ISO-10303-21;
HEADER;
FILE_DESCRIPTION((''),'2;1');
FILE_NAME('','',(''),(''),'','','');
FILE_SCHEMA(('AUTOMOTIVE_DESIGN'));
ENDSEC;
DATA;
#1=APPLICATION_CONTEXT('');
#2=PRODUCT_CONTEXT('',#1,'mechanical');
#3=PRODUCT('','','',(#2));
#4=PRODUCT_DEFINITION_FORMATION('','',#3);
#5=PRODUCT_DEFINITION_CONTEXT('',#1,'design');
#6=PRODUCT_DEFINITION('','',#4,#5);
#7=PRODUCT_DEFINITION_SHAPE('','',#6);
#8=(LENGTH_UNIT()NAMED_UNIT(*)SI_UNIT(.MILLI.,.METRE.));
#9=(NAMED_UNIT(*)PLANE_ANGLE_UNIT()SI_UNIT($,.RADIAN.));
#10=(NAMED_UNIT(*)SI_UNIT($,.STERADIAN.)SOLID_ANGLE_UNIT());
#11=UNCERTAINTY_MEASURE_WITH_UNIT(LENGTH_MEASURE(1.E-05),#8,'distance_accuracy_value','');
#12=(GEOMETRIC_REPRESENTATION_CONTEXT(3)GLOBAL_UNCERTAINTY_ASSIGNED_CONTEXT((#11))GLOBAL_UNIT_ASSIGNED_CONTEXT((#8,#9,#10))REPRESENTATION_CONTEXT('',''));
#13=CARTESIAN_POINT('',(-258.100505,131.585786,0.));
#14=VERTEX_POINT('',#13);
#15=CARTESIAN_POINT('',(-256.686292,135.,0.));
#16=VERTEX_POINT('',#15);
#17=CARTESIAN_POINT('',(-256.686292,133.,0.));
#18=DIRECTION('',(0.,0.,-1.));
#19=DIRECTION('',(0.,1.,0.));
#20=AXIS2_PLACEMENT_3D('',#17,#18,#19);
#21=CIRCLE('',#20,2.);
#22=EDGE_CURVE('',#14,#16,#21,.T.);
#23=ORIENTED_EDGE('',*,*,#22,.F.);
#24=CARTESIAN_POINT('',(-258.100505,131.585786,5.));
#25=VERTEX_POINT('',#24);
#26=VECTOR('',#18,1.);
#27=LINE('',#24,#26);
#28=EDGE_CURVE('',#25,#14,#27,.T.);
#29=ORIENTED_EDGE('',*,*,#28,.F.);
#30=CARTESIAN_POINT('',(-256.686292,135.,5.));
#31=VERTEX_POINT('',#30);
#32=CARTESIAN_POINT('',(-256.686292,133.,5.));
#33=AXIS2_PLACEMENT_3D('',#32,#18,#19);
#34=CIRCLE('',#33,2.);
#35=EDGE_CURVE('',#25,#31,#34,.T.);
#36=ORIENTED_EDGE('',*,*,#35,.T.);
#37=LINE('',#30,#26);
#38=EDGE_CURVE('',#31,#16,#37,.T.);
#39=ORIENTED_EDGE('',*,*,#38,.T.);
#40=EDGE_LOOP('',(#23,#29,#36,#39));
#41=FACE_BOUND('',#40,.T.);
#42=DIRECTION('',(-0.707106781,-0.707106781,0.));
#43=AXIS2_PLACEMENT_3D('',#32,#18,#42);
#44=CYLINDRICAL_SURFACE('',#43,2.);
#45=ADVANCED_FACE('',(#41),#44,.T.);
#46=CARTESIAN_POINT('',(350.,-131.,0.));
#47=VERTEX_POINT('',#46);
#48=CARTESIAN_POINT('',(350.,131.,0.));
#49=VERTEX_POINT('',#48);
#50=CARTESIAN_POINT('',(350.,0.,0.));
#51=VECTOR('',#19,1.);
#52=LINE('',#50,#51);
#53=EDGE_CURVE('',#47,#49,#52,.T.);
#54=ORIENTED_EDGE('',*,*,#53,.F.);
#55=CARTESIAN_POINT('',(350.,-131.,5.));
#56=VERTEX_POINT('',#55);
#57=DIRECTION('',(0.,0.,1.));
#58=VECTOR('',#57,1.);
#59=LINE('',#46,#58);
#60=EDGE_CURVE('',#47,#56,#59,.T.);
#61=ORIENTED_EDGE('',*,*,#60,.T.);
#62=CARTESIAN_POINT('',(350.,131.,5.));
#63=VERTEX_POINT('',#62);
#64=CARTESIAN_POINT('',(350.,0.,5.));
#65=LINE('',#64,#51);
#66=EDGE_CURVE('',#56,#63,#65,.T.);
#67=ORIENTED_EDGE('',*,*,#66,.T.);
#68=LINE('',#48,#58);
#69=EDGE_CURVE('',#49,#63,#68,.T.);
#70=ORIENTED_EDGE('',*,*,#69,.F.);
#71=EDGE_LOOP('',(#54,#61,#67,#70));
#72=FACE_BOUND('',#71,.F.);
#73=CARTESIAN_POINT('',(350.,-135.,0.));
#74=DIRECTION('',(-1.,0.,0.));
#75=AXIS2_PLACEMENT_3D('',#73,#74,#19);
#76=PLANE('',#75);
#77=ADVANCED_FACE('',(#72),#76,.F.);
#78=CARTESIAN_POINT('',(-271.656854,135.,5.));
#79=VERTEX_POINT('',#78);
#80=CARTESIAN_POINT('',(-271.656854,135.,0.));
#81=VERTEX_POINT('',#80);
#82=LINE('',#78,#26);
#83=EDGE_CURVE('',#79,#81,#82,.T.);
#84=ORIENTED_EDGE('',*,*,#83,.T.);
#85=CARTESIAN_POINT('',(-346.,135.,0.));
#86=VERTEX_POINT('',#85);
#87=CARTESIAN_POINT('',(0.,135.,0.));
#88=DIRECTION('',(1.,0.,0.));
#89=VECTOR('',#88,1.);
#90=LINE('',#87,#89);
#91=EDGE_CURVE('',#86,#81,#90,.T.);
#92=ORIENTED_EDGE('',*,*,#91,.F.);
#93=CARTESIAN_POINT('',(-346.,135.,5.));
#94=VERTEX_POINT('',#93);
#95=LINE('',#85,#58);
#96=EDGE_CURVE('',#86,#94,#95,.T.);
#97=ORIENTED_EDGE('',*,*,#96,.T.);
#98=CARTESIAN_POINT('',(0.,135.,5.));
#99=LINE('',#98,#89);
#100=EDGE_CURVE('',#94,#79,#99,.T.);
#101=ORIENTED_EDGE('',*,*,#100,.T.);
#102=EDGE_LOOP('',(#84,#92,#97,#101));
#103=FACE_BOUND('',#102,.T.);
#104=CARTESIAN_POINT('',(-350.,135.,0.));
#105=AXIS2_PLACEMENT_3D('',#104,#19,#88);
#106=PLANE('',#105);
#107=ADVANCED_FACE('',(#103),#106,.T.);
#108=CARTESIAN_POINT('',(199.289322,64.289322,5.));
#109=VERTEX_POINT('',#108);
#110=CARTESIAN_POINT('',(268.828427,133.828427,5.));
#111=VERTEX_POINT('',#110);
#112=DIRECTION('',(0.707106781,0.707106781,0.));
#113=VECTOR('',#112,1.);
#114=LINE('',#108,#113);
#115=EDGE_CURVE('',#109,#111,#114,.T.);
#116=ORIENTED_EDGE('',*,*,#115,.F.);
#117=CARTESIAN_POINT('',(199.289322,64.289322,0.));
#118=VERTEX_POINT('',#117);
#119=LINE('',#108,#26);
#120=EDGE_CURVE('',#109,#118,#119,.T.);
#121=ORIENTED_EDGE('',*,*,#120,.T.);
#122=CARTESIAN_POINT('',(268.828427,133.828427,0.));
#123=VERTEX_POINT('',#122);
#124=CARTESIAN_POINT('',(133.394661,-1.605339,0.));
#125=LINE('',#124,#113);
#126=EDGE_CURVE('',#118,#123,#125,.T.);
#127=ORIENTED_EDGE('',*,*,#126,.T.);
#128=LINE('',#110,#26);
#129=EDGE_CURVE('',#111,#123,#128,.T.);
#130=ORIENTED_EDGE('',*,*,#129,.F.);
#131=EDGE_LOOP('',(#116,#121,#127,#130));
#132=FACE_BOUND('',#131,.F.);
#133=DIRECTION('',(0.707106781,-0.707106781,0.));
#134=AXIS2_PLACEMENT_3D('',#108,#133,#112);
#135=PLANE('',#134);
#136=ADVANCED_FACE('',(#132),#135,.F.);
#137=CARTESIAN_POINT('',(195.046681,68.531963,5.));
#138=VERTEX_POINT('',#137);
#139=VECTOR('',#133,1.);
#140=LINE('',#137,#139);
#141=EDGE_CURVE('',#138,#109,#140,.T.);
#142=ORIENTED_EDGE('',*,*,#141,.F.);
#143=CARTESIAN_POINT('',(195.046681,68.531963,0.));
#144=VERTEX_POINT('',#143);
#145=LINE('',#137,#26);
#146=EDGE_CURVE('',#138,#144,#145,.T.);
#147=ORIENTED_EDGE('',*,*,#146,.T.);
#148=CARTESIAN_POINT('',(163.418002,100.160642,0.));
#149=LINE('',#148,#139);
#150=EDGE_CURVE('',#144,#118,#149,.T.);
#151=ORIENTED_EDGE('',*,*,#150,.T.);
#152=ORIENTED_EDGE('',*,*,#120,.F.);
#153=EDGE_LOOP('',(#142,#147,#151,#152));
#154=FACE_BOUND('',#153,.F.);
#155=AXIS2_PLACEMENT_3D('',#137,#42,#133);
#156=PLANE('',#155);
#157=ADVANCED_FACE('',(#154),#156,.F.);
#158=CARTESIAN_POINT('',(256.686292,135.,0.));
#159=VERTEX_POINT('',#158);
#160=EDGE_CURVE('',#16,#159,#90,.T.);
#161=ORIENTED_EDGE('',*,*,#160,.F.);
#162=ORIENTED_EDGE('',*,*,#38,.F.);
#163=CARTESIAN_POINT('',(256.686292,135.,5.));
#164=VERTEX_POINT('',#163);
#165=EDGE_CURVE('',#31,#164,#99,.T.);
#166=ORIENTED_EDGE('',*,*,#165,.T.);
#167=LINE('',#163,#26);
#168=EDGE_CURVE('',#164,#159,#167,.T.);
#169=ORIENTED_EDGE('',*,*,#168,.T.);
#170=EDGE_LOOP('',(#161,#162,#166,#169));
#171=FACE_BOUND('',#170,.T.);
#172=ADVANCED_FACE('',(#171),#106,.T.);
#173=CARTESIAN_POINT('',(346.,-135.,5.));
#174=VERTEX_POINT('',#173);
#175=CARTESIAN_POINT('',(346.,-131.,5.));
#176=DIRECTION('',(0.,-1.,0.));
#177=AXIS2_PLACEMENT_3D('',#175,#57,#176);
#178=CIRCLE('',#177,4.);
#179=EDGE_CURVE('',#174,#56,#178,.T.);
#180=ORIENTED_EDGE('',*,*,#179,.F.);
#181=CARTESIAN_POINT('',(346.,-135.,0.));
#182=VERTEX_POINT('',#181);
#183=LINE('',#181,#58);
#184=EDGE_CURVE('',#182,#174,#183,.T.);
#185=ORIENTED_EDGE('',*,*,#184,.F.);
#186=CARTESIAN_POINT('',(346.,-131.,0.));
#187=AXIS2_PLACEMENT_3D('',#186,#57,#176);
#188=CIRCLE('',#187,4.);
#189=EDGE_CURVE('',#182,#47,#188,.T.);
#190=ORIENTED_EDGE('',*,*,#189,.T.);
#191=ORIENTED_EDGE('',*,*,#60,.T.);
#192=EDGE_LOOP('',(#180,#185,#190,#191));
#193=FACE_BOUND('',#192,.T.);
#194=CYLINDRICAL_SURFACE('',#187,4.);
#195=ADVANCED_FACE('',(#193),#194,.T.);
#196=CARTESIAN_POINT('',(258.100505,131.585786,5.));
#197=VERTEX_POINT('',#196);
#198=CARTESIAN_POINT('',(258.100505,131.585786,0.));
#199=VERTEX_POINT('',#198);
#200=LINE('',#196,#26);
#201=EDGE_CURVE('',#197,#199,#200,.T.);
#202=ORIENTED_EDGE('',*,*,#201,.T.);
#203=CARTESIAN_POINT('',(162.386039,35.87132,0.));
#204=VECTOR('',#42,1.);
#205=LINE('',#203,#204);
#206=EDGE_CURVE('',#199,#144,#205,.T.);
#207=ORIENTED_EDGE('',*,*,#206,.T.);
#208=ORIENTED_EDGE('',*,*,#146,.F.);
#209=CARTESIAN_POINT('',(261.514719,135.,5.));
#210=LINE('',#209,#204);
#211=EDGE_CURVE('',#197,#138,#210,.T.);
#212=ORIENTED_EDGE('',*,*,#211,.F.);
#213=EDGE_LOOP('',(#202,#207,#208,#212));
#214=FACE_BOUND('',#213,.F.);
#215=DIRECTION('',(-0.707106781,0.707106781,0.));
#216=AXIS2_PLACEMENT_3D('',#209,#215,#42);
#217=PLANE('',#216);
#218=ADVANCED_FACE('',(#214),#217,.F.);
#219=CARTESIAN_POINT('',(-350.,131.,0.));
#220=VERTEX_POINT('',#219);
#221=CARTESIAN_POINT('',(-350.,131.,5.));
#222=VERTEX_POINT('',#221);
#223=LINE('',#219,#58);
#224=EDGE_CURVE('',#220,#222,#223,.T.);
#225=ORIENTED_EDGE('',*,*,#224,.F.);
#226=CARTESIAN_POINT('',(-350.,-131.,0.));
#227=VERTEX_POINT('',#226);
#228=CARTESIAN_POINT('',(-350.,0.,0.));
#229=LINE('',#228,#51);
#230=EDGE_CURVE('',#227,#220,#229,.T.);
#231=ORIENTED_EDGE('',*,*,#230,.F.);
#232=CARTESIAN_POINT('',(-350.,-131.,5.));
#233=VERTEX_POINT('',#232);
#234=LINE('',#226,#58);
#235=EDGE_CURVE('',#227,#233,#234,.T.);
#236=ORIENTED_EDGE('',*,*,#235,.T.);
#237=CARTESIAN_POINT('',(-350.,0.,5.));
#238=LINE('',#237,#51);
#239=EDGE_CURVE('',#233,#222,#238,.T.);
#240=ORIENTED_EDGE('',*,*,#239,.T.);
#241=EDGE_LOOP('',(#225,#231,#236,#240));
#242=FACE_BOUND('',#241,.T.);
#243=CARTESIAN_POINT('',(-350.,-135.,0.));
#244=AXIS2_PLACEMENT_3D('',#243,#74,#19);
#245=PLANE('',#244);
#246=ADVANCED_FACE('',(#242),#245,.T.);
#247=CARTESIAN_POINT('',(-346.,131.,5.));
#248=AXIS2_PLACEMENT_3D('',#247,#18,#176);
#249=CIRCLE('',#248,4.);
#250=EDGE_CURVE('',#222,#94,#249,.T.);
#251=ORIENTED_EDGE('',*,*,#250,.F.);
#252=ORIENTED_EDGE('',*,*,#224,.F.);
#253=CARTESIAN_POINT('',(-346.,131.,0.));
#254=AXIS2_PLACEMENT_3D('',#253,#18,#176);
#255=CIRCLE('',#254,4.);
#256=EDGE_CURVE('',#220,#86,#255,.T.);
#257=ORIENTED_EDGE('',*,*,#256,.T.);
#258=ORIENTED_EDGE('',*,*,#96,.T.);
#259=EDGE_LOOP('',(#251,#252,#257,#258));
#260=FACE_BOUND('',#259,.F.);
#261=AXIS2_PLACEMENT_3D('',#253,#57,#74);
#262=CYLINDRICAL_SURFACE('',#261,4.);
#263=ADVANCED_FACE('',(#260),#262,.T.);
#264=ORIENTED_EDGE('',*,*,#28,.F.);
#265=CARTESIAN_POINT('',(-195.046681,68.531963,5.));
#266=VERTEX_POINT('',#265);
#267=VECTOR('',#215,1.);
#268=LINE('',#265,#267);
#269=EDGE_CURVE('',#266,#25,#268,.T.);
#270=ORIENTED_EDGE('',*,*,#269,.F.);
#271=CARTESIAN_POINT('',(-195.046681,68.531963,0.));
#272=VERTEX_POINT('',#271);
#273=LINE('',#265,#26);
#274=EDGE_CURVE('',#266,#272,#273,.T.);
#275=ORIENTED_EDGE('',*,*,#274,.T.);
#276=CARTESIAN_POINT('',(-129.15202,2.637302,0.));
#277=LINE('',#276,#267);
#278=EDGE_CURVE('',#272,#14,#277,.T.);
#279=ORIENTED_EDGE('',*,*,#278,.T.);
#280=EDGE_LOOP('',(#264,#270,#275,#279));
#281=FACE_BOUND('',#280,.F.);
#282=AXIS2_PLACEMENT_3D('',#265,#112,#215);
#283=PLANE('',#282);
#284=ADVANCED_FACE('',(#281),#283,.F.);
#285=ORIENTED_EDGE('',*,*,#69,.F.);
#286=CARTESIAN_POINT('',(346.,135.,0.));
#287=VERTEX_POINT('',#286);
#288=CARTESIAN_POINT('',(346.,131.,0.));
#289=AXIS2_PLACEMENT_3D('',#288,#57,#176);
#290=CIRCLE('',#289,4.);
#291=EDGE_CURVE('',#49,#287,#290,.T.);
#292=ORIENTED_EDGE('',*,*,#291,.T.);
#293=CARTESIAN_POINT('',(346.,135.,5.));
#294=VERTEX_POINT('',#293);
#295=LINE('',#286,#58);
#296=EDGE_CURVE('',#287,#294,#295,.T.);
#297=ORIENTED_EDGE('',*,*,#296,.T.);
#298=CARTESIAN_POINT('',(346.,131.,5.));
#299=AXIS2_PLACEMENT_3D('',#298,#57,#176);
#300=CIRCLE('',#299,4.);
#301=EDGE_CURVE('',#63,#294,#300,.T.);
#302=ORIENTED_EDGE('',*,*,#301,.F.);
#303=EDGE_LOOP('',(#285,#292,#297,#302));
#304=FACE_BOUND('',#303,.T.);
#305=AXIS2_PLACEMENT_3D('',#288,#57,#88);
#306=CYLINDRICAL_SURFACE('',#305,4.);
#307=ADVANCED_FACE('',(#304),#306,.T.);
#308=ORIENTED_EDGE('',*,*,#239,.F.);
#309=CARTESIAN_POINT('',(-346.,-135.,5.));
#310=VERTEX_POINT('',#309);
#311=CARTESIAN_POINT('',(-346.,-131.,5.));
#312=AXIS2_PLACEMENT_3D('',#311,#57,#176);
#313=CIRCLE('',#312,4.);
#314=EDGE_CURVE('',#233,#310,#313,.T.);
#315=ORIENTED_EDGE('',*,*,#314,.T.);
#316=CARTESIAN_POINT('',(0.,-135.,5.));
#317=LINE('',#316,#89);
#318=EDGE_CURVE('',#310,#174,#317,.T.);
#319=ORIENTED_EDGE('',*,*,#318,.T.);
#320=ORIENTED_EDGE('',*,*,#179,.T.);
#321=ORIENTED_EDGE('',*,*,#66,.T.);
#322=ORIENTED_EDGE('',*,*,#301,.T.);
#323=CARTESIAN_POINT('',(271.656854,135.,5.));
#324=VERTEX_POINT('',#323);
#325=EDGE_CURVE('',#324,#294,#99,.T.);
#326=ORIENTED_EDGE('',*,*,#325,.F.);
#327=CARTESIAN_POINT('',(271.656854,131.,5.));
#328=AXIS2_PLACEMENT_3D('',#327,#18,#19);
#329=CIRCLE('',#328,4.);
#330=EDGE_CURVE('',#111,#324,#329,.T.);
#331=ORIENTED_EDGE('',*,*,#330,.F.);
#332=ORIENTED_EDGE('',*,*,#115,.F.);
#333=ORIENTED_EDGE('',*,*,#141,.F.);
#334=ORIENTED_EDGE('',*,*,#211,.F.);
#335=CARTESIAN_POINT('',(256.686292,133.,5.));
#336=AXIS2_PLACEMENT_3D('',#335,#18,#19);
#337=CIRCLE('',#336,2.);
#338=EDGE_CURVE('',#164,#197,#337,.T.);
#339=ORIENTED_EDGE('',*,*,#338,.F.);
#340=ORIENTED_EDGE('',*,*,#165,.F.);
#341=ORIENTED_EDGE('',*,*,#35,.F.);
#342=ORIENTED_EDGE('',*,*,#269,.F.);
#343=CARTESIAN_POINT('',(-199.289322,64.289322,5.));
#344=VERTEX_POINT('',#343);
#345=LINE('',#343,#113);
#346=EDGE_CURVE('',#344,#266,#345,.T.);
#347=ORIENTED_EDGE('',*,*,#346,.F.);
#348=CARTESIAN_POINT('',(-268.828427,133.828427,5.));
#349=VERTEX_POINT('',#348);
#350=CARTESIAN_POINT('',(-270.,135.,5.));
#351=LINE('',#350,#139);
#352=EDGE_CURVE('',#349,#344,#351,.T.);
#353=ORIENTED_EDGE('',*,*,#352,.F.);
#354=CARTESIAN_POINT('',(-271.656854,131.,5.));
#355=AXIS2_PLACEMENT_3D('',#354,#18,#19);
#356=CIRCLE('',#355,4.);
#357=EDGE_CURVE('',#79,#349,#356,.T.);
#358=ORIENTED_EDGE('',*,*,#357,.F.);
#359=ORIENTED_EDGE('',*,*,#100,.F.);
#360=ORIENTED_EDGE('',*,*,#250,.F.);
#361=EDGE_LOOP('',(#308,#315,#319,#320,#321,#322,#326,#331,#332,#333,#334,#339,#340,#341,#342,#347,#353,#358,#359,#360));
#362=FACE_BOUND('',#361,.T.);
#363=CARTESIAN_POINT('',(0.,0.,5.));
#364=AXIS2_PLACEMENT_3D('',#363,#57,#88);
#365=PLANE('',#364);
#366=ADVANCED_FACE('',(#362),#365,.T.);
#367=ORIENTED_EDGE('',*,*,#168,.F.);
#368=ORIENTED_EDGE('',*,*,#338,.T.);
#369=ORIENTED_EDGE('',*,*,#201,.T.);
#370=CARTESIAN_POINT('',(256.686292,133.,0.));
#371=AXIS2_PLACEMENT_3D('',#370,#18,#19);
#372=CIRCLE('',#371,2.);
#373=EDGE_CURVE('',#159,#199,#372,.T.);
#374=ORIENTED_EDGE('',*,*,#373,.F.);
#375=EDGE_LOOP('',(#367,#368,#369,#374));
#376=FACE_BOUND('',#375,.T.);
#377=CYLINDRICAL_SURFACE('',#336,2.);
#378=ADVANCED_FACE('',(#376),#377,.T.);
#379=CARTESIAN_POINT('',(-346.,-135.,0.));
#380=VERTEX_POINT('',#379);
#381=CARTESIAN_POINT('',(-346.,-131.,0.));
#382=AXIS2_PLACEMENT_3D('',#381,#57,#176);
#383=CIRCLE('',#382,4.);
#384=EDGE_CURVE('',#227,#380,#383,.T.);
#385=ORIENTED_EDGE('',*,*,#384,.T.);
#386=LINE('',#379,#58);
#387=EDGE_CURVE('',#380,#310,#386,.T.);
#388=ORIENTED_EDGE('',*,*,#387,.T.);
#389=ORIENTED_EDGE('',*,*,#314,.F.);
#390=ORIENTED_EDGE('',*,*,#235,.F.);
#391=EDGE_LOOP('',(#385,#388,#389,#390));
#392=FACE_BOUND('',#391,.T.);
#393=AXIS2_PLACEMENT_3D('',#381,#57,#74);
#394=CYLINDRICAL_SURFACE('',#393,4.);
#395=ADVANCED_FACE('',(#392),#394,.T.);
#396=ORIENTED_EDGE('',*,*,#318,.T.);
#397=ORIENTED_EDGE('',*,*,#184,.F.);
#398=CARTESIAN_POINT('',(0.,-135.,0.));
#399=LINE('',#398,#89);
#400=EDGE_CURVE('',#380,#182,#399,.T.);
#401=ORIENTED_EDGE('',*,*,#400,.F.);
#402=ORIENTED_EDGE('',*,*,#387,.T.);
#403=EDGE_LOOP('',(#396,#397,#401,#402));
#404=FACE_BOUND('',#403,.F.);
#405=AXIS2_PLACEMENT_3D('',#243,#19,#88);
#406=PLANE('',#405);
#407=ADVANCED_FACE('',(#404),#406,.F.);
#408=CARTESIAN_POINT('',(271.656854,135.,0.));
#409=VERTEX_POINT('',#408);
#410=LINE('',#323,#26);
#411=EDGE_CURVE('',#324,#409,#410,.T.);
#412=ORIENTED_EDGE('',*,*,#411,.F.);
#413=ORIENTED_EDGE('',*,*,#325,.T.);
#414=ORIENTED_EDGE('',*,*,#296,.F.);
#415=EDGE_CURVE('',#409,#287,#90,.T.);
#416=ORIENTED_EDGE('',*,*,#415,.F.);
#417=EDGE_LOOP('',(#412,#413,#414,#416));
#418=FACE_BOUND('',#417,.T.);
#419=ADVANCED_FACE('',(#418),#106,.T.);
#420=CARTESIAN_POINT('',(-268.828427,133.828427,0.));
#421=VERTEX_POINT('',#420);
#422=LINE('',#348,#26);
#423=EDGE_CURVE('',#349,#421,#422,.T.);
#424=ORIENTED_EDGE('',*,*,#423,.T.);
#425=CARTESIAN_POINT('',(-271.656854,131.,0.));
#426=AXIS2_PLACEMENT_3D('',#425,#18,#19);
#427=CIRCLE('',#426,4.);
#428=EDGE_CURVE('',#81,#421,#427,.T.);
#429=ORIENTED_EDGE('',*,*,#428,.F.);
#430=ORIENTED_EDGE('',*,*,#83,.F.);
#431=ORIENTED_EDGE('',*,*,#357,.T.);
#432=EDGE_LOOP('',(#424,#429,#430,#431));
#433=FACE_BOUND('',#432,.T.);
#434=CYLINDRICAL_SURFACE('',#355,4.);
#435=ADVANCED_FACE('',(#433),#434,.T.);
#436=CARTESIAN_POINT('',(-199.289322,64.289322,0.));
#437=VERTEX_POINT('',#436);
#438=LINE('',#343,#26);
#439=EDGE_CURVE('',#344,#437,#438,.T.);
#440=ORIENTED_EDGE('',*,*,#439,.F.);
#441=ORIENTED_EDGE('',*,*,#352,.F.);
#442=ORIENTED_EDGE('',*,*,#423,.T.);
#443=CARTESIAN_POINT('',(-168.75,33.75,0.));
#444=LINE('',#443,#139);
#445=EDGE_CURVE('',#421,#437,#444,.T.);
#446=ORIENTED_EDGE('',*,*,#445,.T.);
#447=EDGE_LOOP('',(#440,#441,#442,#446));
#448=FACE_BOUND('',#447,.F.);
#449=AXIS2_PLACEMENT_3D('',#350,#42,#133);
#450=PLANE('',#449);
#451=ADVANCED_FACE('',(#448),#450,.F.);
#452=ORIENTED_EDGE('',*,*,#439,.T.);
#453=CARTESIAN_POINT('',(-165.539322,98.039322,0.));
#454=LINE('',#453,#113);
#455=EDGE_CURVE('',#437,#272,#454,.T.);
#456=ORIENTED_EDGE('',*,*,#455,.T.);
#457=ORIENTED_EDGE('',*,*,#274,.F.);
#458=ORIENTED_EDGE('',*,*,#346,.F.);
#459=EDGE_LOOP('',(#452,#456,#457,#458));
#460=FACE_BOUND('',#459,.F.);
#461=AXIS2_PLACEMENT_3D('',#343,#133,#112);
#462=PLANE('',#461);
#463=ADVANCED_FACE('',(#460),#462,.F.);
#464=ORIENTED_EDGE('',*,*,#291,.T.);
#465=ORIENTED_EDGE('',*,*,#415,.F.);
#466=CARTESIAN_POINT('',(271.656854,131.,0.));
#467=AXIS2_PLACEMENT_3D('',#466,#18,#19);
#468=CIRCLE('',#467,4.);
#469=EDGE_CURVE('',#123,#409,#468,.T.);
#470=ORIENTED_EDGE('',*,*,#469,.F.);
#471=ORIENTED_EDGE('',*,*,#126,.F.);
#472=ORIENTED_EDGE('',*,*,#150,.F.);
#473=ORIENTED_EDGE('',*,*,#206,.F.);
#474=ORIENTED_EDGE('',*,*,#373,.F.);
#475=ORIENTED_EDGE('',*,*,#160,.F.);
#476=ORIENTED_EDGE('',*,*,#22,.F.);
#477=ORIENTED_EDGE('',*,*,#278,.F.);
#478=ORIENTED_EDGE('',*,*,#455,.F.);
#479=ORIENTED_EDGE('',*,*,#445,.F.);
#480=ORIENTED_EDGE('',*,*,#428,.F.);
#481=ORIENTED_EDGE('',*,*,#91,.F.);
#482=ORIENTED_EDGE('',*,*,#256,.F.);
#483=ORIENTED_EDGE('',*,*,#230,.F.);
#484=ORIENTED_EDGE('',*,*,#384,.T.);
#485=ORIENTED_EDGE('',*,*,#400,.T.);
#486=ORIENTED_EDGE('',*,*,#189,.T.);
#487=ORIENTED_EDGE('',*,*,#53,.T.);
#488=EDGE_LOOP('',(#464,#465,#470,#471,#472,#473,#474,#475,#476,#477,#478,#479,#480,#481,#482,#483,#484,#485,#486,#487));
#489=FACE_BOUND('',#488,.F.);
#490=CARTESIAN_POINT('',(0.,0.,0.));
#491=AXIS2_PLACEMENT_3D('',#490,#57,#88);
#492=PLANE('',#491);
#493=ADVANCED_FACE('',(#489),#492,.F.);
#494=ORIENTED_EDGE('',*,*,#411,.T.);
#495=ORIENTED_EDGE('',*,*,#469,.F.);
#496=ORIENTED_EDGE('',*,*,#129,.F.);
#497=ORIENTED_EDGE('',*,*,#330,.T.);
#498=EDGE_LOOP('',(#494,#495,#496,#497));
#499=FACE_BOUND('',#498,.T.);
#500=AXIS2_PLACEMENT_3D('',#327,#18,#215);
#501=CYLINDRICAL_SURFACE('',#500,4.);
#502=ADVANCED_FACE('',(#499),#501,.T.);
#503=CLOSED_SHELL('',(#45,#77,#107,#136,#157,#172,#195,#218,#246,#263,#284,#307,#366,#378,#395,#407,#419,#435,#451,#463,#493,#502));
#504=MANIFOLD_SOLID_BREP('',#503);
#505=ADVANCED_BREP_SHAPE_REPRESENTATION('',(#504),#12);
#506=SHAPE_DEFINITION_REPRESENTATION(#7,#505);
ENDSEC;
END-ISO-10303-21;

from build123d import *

# Parameters (mm, degrees)
F0_W     = 700
F0_H     = 270
F1_DEPTH = 5
F3_DEPTH = 25
F4_R     = 4
F5_R     = 2


with BuildPart() as f1:
    # F0 (on Top) → F1 (new body)
    with BuildSketch(Plane.XY):
        Rectangle(F0_W, F0_H)
    extrude(amount=F1_DEPTH)

    # F2 (on face) → F3 (cut)
    with BuildSketch(Plane.XY.offset(5)):
        Polygon((-261.5147186258, 135), (-270, 135), (-199.2893218813, 64.2893218813), (-195.0466811942, 68.5319625685), align=None)
        Polygon((270, 135), (261.5147186258, 135), (195.0466811942, 68.5319625685), (199.2893218813, 64.2893218813), align=None)
    extrude(amount=-F3_DEPTH, mode=Mode.SUBTRACT)

    # F4
    f4_edges = [f1.edges().sort_by_distance(p)[0] for p in [
        (-350, -135, 2.5),
        (350, -135, 2.5),
        (350, 135, 2.5),
        (-350, 135, 2.5),
        (-270, 135, 2.5),
        (270, 135, 2.5),
    ]]
    fillet(f4_edges, radius=F4_R)

    # F5
    f5_edges = [f1.edges().sort_by_distance(p)[0] for p in [
        (261.514719, 135, 2.5),
        (-261.514719, 135, 2.5),
    ]]
    fillet(f5_edges, radius=F5_R)


solid = f1.part
